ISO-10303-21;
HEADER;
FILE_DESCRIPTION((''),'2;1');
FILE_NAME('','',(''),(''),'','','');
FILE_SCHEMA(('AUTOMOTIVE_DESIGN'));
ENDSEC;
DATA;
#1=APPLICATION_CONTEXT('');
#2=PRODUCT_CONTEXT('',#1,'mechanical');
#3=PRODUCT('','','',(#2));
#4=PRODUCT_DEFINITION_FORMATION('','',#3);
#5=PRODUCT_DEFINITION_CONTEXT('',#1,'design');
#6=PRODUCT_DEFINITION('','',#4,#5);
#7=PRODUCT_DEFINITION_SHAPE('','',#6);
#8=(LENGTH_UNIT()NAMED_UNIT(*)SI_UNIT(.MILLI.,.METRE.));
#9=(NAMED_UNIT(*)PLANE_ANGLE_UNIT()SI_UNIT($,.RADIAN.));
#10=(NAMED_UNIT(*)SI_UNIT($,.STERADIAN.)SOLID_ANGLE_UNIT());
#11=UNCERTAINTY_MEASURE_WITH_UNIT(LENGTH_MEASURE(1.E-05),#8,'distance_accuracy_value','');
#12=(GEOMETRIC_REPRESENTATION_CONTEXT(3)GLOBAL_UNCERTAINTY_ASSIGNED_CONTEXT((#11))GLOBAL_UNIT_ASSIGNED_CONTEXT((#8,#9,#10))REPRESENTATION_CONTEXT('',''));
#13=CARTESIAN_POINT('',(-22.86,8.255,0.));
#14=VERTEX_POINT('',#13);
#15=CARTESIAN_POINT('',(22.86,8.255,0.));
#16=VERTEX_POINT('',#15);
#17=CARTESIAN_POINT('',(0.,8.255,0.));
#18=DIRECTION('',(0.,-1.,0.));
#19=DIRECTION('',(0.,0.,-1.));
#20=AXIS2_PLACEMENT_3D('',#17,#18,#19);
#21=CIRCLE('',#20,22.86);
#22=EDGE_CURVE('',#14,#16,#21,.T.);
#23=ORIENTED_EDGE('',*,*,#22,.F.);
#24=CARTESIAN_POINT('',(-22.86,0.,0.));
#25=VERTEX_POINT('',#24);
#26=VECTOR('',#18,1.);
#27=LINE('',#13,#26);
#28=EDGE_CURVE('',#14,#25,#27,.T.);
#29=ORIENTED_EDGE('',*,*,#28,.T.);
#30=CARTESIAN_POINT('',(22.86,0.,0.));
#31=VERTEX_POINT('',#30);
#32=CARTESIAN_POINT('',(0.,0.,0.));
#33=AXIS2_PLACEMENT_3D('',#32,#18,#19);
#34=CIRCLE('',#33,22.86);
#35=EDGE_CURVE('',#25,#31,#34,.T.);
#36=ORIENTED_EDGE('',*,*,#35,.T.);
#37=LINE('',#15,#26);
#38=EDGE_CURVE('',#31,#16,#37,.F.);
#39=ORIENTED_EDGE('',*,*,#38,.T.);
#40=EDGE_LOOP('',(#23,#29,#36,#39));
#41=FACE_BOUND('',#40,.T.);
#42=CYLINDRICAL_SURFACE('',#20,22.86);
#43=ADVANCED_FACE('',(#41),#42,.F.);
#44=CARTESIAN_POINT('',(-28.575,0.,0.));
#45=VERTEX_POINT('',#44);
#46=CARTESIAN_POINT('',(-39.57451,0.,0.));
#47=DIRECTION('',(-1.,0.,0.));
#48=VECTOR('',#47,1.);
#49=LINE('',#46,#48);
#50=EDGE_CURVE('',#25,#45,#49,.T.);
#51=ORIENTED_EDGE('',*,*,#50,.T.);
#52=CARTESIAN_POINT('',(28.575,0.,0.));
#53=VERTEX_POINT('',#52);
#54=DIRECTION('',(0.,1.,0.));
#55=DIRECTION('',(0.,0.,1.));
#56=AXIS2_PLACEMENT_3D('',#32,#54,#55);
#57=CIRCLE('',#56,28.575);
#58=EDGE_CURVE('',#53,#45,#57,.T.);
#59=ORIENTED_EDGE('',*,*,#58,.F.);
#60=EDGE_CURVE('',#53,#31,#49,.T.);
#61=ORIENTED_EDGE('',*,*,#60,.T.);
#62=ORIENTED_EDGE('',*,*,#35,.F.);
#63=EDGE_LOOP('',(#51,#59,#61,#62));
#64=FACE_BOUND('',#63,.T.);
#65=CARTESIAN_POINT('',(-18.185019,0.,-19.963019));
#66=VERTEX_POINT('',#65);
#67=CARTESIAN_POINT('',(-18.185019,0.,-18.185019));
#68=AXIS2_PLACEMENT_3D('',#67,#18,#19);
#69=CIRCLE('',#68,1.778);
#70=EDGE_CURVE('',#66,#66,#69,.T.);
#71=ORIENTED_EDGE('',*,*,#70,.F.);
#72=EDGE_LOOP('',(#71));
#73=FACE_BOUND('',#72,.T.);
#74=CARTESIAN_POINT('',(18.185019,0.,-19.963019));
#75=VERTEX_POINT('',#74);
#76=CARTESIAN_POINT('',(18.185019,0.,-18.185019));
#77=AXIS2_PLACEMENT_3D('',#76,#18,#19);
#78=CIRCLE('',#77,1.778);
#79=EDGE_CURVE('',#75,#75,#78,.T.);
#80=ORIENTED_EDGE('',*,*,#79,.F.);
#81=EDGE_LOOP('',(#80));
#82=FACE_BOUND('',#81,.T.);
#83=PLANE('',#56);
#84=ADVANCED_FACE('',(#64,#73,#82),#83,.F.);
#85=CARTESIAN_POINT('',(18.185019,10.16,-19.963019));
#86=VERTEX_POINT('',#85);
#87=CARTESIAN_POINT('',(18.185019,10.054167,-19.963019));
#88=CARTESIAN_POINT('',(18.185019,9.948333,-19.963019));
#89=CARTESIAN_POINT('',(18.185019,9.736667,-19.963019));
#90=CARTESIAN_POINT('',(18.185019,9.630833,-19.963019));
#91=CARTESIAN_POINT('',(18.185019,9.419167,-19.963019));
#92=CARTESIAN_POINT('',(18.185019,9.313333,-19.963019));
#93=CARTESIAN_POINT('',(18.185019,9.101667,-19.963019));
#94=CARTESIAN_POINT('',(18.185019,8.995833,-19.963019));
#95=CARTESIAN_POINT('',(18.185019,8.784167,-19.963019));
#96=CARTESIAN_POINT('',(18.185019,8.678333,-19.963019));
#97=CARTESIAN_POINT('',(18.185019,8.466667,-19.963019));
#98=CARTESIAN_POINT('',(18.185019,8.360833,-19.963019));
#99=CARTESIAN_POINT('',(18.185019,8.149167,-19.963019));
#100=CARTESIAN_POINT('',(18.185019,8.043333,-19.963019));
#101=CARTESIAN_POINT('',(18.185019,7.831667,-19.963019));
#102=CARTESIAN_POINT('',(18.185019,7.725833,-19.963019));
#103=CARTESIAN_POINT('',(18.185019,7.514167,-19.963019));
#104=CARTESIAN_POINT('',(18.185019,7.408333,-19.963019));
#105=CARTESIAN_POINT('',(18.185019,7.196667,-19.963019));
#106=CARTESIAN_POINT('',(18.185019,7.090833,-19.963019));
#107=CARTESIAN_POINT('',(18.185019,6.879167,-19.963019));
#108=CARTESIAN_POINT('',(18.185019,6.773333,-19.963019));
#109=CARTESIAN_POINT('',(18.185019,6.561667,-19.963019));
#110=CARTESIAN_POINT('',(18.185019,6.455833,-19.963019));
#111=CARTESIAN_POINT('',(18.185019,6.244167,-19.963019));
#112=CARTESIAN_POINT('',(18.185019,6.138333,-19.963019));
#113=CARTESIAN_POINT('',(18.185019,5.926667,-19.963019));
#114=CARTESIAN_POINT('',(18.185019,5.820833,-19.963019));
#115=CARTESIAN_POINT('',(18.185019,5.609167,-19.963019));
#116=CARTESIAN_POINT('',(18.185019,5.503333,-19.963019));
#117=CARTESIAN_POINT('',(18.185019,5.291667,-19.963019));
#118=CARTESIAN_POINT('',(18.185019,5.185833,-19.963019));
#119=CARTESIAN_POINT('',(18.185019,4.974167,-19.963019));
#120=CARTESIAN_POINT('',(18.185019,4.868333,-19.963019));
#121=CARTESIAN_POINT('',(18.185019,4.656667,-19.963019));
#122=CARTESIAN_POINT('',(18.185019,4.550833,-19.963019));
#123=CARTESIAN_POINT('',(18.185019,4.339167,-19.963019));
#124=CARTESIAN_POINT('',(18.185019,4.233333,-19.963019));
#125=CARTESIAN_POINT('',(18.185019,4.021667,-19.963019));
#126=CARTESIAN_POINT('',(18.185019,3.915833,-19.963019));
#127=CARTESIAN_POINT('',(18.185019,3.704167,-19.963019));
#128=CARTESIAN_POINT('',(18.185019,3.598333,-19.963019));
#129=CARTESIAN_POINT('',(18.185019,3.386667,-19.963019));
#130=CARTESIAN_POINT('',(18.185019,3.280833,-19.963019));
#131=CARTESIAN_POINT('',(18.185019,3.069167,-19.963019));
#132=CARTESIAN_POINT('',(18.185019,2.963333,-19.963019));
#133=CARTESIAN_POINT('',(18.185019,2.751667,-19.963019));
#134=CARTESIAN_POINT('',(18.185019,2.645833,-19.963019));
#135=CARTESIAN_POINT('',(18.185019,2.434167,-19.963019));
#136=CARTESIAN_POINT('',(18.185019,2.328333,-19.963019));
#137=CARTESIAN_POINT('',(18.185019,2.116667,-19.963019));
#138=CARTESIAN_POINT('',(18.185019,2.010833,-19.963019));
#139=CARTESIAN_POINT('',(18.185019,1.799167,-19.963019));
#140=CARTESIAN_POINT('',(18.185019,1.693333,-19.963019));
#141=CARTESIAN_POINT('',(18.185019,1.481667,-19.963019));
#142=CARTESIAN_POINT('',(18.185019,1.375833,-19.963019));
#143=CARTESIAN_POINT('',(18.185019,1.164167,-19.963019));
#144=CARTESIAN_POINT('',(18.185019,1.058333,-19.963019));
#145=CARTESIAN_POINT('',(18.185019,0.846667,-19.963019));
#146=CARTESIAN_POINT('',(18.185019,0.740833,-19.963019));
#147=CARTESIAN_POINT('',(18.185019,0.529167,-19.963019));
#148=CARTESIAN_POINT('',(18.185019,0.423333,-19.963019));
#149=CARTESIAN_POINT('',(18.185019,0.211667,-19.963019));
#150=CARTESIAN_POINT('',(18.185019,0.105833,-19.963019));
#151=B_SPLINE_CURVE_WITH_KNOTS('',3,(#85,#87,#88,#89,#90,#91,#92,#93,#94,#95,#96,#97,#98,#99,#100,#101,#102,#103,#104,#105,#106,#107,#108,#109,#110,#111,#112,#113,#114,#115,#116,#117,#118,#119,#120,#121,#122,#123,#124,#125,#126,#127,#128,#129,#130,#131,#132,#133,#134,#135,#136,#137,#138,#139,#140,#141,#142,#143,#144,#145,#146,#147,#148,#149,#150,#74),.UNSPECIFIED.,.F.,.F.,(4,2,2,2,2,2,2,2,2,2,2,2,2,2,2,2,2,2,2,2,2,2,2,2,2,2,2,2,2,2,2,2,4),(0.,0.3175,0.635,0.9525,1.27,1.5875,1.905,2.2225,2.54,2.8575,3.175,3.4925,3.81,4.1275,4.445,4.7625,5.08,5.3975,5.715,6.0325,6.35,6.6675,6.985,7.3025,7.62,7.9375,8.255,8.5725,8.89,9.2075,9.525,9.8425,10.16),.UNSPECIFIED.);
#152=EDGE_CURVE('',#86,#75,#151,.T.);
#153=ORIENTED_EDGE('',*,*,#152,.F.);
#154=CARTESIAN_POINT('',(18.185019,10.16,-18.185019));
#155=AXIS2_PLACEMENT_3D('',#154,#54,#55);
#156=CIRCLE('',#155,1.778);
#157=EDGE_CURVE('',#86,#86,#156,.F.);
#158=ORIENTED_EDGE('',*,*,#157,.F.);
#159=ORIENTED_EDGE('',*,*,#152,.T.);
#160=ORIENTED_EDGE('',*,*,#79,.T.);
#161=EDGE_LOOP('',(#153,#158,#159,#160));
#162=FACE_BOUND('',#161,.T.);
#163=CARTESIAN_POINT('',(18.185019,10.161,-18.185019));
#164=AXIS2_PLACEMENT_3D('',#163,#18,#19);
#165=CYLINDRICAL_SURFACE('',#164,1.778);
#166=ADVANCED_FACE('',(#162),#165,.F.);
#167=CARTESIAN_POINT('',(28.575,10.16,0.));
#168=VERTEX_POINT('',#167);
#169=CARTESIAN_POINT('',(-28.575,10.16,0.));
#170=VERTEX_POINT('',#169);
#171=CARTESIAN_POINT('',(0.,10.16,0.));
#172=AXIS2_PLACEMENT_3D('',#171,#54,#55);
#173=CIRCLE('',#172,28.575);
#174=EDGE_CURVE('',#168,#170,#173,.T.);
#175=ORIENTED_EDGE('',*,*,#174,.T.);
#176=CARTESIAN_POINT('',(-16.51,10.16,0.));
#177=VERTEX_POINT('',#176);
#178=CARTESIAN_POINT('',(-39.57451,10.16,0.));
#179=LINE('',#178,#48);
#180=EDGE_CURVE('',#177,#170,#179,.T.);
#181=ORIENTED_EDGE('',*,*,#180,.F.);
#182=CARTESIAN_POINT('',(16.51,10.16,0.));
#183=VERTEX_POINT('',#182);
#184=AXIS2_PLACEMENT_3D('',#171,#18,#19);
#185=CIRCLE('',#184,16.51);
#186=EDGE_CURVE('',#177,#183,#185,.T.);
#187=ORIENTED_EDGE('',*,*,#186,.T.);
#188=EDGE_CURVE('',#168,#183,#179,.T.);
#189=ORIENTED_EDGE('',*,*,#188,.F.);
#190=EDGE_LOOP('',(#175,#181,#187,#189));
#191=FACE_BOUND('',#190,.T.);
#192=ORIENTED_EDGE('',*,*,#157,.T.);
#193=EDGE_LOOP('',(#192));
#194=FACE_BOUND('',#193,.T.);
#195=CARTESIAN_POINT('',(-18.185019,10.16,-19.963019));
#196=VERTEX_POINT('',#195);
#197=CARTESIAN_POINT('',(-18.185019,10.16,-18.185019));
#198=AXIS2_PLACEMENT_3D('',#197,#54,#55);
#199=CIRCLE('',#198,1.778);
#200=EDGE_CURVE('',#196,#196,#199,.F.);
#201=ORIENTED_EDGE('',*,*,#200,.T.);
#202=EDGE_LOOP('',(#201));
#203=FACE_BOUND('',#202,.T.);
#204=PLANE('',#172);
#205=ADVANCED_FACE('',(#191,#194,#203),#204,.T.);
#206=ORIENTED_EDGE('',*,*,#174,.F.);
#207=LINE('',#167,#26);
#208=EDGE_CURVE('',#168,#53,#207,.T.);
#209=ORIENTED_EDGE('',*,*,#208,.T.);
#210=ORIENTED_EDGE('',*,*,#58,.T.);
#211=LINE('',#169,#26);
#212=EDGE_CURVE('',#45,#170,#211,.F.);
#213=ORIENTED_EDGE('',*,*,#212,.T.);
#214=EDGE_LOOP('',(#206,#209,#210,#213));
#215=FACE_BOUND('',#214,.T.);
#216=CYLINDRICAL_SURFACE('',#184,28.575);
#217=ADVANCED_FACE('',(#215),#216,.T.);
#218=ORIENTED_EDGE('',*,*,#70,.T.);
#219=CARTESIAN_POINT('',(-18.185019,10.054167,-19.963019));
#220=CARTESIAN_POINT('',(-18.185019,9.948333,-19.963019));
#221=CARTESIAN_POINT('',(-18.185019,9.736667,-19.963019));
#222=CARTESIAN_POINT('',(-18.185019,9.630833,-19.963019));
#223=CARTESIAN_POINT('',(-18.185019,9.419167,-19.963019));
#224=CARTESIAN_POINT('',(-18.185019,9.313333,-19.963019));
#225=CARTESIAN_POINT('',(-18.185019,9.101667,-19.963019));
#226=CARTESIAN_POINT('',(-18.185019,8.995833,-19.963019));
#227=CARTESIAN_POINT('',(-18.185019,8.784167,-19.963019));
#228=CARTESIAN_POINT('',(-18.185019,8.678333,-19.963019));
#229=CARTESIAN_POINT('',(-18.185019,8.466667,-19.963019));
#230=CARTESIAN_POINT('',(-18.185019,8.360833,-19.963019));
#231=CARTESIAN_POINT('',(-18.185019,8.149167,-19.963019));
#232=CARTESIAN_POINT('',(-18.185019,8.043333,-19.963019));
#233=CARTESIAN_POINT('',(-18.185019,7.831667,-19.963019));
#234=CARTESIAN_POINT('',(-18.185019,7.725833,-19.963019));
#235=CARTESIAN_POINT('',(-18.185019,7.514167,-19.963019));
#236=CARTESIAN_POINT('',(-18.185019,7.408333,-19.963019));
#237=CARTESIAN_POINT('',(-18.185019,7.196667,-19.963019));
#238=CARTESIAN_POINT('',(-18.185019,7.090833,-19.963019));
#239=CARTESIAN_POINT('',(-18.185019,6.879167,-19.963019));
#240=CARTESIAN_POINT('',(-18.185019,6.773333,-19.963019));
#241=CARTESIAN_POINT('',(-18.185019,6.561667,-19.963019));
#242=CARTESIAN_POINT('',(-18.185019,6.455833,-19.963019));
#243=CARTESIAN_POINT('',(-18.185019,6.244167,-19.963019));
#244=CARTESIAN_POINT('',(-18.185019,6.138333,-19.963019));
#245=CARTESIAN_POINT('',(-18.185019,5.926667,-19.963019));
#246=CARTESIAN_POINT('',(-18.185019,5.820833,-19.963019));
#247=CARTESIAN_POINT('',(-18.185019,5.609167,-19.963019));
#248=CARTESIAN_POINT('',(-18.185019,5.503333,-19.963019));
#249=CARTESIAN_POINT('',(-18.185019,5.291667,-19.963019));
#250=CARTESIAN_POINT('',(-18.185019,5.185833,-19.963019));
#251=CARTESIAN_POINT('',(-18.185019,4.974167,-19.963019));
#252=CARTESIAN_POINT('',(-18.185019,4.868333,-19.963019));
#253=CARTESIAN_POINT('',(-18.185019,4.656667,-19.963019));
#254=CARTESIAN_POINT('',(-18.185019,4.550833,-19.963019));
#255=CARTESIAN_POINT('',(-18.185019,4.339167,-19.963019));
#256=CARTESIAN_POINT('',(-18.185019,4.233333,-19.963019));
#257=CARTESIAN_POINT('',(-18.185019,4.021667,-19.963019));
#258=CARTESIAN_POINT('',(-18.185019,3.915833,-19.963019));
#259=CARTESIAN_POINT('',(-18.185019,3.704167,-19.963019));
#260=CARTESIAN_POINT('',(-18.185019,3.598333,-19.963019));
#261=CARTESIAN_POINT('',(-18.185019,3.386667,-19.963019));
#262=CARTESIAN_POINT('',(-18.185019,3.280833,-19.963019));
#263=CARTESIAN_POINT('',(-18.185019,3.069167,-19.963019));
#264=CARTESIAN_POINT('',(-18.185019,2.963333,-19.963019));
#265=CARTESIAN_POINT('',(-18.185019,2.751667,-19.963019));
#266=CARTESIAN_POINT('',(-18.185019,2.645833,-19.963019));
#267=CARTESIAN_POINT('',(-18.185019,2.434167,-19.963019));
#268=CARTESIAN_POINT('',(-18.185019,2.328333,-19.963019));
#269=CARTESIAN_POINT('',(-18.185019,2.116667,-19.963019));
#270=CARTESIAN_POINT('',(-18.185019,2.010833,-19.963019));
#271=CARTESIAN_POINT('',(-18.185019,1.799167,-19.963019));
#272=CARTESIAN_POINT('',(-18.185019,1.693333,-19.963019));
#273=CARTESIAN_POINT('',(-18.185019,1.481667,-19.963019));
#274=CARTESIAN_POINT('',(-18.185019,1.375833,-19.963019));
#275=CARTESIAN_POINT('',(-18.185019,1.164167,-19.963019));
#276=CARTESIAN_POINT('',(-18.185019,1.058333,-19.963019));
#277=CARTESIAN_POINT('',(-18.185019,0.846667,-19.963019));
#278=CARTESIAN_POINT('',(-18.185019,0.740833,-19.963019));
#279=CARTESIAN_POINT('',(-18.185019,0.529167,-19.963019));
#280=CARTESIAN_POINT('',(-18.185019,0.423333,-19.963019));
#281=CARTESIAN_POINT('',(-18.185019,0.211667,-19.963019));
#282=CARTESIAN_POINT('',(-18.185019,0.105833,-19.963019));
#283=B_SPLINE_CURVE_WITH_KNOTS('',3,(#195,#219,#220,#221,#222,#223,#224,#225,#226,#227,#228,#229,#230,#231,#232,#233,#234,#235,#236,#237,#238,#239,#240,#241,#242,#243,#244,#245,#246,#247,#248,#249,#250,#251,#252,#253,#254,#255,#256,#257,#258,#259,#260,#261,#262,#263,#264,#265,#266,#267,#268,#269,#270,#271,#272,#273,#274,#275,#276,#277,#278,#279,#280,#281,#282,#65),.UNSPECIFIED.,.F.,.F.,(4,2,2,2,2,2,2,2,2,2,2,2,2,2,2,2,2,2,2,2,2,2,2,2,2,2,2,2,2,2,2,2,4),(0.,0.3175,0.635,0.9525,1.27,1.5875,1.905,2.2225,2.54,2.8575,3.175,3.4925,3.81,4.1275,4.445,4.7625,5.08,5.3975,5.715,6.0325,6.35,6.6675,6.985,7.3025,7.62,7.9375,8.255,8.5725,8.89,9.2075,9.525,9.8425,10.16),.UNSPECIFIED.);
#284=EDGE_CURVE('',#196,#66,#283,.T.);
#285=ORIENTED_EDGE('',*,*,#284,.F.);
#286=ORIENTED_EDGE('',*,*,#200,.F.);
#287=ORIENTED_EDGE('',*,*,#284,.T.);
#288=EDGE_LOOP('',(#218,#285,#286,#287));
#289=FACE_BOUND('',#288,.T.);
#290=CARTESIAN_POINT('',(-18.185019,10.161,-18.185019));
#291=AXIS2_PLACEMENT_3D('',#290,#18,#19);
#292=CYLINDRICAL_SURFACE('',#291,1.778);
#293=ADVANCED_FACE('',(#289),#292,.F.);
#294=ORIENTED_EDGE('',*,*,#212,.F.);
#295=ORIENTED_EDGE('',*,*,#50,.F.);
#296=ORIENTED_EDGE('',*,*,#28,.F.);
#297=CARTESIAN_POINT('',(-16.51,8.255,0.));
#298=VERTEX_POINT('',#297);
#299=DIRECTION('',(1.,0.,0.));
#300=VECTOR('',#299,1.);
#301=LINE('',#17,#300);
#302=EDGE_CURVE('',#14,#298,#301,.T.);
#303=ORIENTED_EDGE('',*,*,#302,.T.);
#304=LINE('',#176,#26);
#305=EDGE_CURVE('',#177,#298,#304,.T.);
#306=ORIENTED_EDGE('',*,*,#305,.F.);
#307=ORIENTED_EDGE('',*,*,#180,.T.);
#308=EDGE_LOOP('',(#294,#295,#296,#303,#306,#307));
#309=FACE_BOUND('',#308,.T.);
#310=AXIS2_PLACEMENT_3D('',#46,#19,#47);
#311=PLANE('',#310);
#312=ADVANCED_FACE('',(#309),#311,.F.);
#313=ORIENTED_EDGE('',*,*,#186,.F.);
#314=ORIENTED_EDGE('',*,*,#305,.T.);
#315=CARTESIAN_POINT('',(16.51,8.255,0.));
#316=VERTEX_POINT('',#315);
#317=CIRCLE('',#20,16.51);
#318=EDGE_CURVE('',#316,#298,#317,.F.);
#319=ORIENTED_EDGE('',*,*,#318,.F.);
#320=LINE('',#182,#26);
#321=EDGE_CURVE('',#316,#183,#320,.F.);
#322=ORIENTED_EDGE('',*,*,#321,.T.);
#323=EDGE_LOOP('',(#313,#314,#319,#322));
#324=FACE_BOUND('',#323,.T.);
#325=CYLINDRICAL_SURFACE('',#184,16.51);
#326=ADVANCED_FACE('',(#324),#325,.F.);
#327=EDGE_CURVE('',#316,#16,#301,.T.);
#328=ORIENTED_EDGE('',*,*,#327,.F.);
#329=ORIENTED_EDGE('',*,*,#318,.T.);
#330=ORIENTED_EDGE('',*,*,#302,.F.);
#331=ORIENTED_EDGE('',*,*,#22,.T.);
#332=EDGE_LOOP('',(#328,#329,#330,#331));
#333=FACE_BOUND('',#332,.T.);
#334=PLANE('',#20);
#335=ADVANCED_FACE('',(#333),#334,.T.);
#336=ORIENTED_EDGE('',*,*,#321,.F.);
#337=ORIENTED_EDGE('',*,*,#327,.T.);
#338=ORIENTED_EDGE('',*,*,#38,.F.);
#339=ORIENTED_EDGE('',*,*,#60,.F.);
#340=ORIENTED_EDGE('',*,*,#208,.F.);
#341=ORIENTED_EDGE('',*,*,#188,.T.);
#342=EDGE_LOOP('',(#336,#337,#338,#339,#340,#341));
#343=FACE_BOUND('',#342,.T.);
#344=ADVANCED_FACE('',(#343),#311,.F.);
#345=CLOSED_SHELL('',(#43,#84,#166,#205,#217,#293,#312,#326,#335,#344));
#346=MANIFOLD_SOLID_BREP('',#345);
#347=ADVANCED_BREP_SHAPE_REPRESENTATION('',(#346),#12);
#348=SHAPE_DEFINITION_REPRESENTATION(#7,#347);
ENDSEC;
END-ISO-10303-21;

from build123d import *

# Parameters (mm, degrees)
SKETCH1_R           = 28.575
BOSS_EXTRUDE1_DEPTH = 10.16
SKETCH2_R           = 16.51
CUT_EXTRUDE1_DEPTH  = 42.66877548
SKETCH3_R           = 22.86
CUT_EXTRUDE2_DEPTH  = 8.255
SKETCH4_W           = 88.915115744
SKETCH4_H           = 51.352535237
CUT_EXTRUDE3_DEPTH  = 42.66877548
CUT_EXTRUDE4_REACH  = 43.669
SKETCH6_R           = 1.778


with BuildPart() as part:
    # Sketch1 → Boss-Extrude1 (new body)
    with BuildSketch(Plane(origin=(0, 0, 0), x_dir=(1, 0, 0), z_dir=(0, 1, 0))):
        with Locations(Location((0, 0, 0), (0, 0, 270))):
            Circle(SKETCH1_R)
    extrude(amount=BOSS_EXTRUDE1_DEPTH)

    # Sketch2 → Cut-Extrude1 (cut, through all)
    with BuildSketch(Plane.XZ):
        with Locations(Location((0, 0, 0), (0, 0, 270))):
            Circle(SKETCH2_R)
    extrude(amount=-CUT_EXTRUDE1_DEPTH, mode=Mode.SUBTRACT)

    # Sketch3 → Cut-Extrude2 (cut)
    with BuildSketch(Plane.XZ):
        with Locations(Location((0, 0, 0), (0, 0, 270))):
            Circle(SKETCH3_R)
    extrude(amount=-CUT_EXTRUDE2_DEPTH, mode=Mode.SUBTRACT)

    # Sketch4 → Cut-Extrude3 (cut, through all)
    with BuildSketch(Plane(origin=(0, 10.16, 0), x_dir=(1, 0, 0), z_dir=(0, 1, 0))):
        with Locations((4.883047594, -25.676267619)):
            Rectangle(SKETCH4_W, SKETCH4_H)
    extrude(amount=-CUT_EXTRUDE3_DEPTH, mode=Mode.SUBTRACT)

    # Sketch6 → Cut-Extrude4 (cut, up to next)
    with BuildSketch(Plane.XZ, mode=Mode.PRIVATE) as cut_extrude4_sk1:
        with Locations(Location((18.185018645, -18.185018645, 0), (0, 0, 270))):
            Circle(SKETCH6_R)
    cut_extrude4_tool1 = extrude(cut_extrude4_sk1.sketch, amount=-CUT_EXTRUDE4_REACH, mode=Mode.PRIVATE) & part.part
    # Sketch6 → Cut-Extrude4 (cut, up to next)
    with BuildSketch(Plane.XZ, mode=Mode.PRIVATE) as cut_extrude4_sk2:
        with Locations(Location((-18.185018645, -18.185018645, 0), (0, 0, 270))):
            Circle(SKETCH6_R)
    cut_extrude4_tool2 = extrude(cut_extrude4_sk2.sketch, amount=-CUT_EXTRUDE4_REACH, mode=Mode.PRIVATE) & part.part
    add(cut_extrude4_tool1.solids().sort_by_distance((18.185019, 0, -18.185019))[0], mode=Mode.SUBTRACT)
    add(cut_extrude4_tool2.solids().sort_by_distance((-18.185019, 0, -18.185019))[0], mode=Mode.SUBTRACT)


solid = part.part
